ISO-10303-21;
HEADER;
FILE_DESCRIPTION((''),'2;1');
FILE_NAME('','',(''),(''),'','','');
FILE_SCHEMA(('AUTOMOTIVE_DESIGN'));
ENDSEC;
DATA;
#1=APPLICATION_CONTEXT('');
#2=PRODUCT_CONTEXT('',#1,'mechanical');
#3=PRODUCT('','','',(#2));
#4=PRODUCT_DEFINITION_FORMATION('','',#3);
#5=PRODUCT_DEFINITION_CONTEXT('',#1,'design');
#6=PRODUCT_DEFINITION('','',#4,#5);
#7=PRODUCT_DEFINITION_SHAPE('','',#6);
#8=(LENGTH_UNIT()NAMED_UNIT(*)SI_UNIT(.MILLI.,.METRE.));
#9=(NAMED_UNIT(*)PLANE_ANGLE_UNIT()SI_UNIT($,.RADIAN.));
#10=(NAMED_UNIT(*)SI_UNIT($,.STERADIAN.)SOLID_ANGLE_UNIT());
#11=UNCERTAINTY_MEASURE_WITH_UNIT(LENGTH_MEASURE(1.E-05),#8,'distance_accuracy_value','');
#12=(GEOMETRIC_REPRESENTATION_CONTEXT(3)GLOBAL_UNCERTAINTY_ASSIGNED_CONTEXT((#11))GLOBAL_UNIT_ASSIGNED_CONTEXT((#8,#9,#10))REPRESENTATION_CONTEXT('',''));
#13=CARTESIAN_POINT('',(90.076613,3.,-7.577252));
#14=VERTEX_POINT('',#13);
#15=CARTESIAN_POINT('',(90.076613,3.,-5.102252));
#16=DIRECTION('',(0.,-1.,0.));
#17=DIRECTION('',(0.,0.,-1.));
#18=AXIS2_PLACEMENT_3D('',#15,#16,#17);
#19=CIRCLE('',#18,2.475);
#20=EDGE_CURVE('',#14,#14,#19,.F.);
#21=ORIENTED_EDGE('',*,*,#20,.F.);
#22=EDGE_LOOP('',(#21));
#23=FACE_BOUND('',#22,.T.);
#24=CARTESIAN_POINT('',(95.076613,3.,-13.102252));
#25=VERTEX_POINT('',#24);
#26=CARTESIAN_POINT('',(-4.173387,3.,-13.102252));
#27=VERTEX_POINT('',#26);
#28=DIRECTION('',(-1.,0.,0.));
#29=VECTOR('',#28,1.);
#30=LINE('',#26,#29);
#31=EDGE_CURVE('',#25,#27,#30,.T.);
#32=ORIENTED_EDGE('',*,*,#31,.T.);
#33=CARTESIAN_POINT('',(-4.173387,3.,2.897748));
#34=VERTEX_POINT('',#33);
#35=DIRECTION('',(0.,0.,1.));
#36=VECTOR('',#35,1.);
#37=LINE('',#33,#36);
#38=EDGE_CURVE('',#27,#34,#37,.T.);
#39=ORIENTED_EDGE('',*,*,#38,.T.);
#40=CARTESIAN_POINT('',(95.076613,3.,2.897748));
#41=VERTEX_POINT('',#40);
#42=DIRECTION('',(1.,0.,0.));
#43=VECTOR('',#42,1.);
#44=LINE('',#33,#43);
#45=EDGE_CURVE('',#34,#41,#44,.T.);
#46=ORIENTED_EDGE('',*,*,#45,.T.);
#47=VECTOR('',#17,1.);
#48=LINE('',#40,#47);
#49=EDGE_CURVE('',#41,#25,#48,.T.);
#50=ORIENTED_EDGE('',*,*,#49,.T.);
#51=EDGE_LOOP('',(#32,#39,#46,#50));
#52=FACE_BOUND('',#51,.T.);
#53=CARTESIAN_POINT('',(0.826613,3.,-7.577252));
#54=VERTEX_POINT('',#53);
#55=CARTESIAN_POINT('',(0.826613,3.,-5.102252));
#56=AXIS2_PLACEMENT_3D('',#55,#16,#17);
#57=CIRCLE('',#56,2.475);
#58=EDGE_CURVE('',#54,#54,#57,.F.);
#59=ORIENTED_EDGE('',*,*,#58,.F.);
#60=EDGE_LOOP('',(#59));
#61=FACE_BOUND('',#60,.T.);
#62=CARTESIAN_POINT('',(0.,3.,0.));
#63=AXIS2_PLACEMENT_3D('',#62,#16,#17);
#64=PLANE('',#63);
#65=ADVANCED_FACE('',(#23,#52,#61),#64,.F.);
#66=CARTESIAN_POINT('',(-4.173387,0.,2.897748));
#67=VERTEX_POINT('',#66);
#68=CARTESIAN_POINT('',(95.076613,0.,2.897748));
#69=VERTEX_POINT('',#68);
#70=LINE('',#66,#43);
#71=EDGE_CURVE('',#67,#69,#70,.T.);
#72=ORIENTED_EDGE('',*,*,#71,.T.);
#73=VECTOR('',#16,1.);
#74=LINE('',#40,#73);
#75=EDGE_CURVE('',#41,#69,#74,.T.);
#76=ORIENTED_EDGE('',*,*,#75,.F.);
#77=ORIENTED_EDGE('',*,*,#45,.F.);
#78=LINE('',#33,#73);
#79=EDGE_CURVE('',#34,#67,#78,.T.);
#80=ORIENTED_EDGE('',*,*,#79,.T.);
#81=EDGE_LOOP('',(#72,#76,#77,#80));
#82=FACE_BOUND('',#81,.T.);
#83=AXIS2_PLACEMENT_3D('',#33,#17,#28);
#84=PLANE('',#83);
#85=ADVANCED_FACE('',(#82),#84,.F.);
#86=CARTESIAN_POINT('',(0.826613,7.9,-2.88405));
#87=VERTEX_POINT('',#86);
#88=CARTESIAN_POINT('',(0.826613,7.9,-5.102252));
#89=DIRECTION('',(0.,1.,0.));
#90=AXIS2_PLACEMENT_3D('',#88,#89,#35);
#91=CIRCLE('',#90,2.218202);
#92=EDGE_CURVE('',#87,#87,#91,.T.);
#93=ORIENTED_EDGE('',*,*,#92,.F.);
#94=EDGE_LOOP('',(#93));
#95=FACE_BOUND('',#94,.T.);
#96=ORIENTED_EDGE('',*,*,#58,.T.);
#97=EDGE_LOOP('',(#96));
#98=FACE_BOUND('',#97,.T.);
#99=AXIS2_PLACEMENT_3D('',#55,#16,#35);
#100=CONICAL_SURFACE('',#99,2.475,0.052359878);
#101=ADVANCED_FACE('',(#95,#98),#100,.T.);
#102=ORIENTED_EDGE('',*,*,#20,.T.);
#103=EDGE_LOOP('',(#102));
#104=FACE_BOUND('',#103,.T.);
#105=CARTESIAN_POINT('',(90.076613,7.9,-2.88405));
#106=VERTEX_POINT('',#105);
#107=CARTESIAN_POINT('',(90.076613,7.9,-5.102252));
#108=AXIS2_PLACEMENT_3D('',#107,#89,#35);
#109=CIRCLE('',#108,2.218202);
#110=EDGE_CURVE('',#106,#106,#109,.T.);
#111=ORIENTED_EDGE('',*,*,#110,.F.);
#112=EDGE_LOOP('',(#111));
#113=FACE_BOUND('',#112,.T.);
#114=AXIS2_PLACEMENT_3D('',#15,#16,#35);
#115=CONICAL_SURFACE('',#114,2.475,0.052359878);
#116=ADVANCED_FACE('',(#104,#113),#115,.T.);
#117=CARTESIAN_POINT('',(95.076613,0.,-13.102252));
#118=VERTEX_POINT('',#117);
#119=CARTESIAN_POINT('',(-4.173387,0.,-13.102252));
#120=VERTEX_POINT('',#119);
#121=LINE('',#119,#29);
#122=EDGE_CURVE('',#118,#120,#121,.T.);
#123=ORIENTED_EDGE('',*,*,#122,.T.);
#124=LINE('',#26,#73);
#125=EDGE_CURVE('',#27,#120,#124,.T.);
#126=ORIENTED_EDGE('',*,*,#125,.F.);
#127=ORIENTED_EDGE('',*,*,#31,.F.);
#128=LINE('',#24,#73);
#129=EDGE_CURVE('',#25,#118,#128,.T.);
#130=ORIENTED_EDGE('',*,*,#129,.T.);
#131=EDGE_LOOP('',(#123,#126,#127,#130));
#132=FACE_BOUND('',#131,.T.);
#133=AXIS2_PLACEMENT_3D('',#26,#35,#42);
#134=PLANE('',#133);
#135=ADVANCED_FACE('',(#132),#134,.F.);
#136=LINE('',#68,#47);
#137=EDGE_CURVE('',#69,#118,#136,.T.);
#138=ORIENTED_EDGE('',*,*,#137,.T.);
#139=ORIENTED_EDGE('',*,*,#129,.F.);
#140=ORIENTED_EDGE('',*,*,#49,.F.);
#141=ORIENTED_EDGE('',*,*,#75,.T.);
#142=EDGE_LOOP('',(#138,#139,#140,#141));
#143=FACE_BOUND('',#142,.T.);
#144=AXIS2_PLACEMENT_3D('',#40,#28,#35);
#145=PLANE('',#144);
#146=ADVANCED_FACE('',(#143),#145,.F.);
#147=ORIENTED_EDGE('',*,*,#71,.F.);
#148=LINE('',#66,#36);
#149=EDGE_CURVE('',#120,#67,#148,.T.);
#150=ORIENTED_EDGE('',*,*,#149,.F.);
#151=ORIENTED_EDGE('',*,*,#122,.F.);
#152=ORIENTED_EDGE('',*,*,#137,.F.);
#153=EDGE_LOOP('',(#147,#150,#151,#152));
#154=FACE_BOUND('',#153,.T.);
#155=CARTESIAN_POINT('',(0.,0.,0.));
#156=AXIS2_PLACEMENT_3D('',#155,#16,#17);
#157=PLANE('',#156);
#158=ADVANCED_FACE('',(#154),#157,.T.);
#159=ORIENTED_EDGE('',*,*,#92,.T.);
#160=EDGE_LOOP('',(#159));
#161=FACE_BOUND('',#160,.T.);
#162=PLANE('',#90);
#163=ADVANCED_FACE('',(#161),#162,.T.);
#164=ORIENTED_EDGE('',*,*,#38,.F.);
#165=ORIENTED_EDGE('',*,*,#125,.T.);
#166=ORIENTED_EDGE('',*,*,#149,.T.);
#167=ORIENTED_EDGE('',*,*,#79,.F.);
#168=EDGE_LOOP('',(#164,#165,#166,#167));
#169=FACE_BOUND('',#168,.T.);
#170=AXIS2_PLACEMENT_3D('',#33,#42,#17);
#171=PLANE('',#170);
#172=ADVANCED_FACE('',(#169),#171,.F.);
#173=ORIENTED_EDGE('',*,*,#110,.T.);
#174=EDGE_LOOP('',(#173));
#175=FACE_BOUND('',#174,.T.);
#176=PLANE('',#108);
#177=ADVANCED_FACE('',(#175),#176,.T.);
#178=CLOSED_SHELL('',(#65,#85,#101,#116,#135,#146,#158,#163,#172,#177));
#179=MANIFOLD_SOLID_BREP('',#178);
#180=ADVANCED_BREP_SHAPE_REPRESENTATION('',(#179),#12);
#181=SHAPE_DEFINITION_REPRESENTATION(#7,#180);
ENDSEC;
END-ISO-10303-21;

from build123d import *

# Parameters (mm, degrees)
SKETCH1_W                     = 99.25
SKETCH1_H                     = 16
BOSS_EXTRUDE1_DEPTH           = 3
SKETCH2_R                     = 2.475
BOSS_EXTRUDE2_DEPTH           = 4.9
BOSS_EXTRUDE2_DRAFT           = 3
BOSS_EXTRUDE2_PROFILE_2_DEPTH = 4.9
BOSS_EXTRUDE2_PROFILE_2_DRAFT = 3


with BuildPart() as part:
    # Sketch1 → Boss-Extrude1 (new body)
    with BuildSketch(Plane(origin=(0, 0, 0), x_dir=(1, 0, 0), z_dir=(0, 1, 0))):
        with Locations((45.45161309, 5.10225193)):
            Rectangle(SKETCH1_W, SKETCH1_H)
    extrude(amount=BOSS_EXTRUDE1_DEPTH)


with BuildPart() as boss_extrude2_tool:
    # Sketch2 → Boss-Extrude2 (with draft: the straight prism first)
    with BuildSketch(Plane(origin=(0, 3, 0), x_dir=(1, 0, 0), z_dir=(0, 1, 0))):
        with Locations((0.82661309, 5.10225193)):
            Circle(SKETCH2_R)
    extrude(amount=BOSS_EXTRUDE2_DEPTH)
    # Boss-Extrude2: the draft: its side faces are tilted about the plane it starts from
    boss_extrude2_sides = [boss_extrude2_tool.faces().sort_by_distance(p)[0] for p in [
        (-1.64838691, 5.45, -5.10225193),
    ]]
    draft(boss_extrude2_sides, Plane(origin=(0, 3, 0), x_dir=(1, 0, 0), z_dir=(0, 1, 0)), BOSS_EXTRUDE2_DRAFT)


with BuildPart() as part_1:
    add(part.part)

    # Boss-Extrude2: add boss_extrude2_tool
    add(boss_extrude2_tool.part)


with BuildPart() as boss_extrude2_profile_2_tool:
    # Sketch2 → Boss-Extrude2 profile 2 (with draft: the straight prism first)
    with BuildSketch(Plane(origin=(0, 3, 0), x_dir=(1, 0, 0), z_dir=(0, 1, 0))):
        with Locations((90.07661309, 5.10225193)):
            Circle(SKETCH2_R)
    extrude(amount=BOSS_EXTRUDE2_PROFILE_2_DEPTH)
    # Boss-Extrude2 profile 2: the draft: its side faces are tilted about the plane it starts from
    boss_extrude2_profile_2_sides = [boss_extrude2_profile_2_tool.faces().sort_by_distance(p)[0] for p in [
        (87.60161309, 5.45, -5.10225193),
    ]]
    draft(boss_extrude2_profile_2_sides, Plane(origin=(0, 3, 0), x_dir=(1, 0, 0), z_dir=(0, 1, 0)), BOSS_EXTRUDE2_PROFILE_2_DRAFT)


with BuildPart() as part_2:
    add(part_1.part)

    # Boss-Extrude2 profile 2: add boss_extrude2_profile_2_tool
    add(boss_extrude2_profile_2_tool.part)


solid = part_2.part
